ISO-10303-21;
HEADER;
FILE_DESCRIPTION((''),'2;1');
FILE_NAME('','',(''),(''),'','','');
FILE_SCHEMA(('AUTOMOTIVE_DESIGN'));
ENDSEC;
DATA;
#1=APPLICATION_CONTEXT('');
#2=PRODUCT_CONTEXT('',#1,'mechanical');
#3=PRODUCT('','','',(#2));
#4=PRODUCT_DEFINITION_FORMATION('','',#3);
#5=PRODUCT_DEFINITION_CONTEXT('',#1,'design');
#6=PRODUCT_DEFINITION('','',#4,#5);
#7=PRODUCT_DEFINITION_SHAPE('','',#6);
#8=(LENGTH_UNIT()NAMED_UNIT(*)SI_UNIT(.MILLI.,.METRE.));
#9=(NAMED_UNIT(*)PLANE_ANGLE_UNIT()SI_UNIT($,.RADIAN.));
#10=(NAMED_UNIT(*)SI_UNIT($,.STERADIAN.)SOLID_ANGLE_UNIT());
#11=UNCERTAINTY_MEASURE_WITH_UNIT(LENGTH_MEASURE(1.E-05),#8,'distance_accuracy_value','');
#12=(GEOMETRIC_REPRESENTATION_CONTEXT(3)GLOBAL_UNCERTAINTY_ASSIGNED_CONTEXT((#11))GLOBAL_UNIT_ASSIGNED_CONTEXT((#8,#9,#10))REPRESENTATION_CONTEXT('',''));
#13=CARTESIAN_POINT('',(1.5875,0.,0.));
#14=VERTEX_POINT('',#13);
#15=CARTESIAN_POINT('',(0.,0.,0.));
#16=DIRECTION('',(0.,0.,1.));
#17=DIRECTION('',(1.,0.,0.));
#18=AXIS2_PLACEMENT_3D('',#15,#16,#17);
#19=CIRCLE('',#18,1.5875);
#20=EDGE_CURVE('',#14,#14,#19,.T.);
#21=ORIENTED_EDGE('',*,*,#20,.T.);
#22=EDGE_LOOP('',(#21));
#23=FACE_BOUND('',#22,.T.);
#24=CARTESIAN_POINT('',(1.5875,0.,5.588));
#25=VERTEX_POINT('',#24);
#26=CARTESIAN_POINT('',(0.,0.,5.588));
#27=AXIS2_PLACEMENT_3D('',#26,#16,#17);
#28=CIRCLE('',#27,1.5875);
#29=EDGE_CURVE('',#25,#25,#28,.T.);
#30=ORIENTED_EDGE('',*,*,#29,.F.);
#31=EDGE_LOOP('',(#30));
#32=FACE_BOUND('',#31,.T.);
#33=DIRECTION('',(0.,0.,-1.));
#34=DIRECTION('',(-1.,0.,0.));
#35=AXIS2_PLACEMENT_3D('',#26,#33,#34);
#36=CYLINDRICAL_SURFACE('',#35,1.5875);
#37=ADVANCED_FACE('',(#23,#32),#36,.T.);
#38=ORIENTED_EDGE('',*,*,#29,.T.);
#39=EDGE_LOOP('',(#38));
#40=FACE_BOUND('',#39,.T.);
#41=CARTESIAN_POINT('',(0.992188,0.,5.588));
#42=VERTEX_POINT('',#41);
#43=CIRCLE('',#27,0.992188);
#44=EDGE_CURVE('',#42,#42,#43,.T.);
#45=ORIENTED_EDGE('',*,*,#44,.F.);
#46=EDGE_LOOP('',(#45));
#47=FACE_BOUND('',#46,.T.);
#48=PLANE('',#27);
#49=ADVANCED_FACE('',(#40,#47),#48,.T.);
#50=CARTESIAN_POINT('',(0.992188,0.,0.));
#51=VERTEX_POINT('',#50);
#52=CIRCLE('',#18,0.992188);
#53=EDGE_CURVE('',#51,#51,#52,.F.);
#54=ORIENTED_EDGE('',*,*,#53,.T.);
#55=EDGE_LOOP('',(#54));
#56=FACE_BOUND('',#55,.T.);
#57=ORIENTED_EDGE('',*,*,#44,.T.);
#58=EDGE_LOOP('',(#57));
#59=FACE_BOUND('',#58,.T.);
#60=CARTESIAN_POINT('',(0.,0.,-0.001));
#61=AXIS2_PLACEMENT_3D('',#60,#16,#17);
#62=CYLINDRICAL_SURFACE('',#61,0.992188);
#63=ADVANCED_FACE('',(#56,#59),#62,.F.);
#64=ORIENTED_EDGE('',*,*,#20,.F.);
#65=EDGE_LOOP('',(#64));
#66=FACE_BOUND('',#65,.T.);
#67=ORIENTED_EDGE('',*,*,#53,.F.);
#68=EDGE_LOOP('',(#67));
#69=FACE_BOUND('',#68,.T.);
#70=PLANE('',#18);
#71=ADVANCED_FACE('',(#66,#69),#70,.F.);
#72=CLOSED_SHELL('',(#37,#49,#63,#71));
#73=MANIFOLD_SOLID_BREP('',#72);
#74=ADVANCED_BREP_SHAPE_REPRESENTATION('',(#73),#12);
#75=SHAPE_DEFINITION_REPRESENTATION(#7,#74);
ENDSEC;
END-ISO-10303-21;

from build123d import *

# Parameters (mm, degrees)
SKETCH1_R           = 1.5875
BOSS_EXTRUDE1_DEPTH = 5.588
CUT_EXTRUDE1_REACH  = 7.588
SKETCH3_R           = 0.9921875


with BuildPart() as part:
    # Sketch1 → Boss-Extrude1 (new body)
    with BuildSketch(Plane.XY):
        Circle(SKETCH1_R)
    extrude(amount=BOSS_EXTRUDE1_DEPTH)

    # Sketch3 → Cut-Extrude1 (cut, up to next)
    with BuildSketch(Plane.XY.offset(5.588), mode=Mode.PRIVATE) as cut_extrude1_sk1:
        Circle(SKETCH3_R)
    cut_extrude1_tool1 = extrude(cut_extrude1_sk1.sketch, amount=-CUT_EXTRUDE1_REACH, mode=Mode.PRIVATE) & part.part
    add(cut_extrude1_tool1.solids().sort_by_distance((0, 0, 5.588))[0], mode=Mode.SUBTRACT)


solid = part.part
